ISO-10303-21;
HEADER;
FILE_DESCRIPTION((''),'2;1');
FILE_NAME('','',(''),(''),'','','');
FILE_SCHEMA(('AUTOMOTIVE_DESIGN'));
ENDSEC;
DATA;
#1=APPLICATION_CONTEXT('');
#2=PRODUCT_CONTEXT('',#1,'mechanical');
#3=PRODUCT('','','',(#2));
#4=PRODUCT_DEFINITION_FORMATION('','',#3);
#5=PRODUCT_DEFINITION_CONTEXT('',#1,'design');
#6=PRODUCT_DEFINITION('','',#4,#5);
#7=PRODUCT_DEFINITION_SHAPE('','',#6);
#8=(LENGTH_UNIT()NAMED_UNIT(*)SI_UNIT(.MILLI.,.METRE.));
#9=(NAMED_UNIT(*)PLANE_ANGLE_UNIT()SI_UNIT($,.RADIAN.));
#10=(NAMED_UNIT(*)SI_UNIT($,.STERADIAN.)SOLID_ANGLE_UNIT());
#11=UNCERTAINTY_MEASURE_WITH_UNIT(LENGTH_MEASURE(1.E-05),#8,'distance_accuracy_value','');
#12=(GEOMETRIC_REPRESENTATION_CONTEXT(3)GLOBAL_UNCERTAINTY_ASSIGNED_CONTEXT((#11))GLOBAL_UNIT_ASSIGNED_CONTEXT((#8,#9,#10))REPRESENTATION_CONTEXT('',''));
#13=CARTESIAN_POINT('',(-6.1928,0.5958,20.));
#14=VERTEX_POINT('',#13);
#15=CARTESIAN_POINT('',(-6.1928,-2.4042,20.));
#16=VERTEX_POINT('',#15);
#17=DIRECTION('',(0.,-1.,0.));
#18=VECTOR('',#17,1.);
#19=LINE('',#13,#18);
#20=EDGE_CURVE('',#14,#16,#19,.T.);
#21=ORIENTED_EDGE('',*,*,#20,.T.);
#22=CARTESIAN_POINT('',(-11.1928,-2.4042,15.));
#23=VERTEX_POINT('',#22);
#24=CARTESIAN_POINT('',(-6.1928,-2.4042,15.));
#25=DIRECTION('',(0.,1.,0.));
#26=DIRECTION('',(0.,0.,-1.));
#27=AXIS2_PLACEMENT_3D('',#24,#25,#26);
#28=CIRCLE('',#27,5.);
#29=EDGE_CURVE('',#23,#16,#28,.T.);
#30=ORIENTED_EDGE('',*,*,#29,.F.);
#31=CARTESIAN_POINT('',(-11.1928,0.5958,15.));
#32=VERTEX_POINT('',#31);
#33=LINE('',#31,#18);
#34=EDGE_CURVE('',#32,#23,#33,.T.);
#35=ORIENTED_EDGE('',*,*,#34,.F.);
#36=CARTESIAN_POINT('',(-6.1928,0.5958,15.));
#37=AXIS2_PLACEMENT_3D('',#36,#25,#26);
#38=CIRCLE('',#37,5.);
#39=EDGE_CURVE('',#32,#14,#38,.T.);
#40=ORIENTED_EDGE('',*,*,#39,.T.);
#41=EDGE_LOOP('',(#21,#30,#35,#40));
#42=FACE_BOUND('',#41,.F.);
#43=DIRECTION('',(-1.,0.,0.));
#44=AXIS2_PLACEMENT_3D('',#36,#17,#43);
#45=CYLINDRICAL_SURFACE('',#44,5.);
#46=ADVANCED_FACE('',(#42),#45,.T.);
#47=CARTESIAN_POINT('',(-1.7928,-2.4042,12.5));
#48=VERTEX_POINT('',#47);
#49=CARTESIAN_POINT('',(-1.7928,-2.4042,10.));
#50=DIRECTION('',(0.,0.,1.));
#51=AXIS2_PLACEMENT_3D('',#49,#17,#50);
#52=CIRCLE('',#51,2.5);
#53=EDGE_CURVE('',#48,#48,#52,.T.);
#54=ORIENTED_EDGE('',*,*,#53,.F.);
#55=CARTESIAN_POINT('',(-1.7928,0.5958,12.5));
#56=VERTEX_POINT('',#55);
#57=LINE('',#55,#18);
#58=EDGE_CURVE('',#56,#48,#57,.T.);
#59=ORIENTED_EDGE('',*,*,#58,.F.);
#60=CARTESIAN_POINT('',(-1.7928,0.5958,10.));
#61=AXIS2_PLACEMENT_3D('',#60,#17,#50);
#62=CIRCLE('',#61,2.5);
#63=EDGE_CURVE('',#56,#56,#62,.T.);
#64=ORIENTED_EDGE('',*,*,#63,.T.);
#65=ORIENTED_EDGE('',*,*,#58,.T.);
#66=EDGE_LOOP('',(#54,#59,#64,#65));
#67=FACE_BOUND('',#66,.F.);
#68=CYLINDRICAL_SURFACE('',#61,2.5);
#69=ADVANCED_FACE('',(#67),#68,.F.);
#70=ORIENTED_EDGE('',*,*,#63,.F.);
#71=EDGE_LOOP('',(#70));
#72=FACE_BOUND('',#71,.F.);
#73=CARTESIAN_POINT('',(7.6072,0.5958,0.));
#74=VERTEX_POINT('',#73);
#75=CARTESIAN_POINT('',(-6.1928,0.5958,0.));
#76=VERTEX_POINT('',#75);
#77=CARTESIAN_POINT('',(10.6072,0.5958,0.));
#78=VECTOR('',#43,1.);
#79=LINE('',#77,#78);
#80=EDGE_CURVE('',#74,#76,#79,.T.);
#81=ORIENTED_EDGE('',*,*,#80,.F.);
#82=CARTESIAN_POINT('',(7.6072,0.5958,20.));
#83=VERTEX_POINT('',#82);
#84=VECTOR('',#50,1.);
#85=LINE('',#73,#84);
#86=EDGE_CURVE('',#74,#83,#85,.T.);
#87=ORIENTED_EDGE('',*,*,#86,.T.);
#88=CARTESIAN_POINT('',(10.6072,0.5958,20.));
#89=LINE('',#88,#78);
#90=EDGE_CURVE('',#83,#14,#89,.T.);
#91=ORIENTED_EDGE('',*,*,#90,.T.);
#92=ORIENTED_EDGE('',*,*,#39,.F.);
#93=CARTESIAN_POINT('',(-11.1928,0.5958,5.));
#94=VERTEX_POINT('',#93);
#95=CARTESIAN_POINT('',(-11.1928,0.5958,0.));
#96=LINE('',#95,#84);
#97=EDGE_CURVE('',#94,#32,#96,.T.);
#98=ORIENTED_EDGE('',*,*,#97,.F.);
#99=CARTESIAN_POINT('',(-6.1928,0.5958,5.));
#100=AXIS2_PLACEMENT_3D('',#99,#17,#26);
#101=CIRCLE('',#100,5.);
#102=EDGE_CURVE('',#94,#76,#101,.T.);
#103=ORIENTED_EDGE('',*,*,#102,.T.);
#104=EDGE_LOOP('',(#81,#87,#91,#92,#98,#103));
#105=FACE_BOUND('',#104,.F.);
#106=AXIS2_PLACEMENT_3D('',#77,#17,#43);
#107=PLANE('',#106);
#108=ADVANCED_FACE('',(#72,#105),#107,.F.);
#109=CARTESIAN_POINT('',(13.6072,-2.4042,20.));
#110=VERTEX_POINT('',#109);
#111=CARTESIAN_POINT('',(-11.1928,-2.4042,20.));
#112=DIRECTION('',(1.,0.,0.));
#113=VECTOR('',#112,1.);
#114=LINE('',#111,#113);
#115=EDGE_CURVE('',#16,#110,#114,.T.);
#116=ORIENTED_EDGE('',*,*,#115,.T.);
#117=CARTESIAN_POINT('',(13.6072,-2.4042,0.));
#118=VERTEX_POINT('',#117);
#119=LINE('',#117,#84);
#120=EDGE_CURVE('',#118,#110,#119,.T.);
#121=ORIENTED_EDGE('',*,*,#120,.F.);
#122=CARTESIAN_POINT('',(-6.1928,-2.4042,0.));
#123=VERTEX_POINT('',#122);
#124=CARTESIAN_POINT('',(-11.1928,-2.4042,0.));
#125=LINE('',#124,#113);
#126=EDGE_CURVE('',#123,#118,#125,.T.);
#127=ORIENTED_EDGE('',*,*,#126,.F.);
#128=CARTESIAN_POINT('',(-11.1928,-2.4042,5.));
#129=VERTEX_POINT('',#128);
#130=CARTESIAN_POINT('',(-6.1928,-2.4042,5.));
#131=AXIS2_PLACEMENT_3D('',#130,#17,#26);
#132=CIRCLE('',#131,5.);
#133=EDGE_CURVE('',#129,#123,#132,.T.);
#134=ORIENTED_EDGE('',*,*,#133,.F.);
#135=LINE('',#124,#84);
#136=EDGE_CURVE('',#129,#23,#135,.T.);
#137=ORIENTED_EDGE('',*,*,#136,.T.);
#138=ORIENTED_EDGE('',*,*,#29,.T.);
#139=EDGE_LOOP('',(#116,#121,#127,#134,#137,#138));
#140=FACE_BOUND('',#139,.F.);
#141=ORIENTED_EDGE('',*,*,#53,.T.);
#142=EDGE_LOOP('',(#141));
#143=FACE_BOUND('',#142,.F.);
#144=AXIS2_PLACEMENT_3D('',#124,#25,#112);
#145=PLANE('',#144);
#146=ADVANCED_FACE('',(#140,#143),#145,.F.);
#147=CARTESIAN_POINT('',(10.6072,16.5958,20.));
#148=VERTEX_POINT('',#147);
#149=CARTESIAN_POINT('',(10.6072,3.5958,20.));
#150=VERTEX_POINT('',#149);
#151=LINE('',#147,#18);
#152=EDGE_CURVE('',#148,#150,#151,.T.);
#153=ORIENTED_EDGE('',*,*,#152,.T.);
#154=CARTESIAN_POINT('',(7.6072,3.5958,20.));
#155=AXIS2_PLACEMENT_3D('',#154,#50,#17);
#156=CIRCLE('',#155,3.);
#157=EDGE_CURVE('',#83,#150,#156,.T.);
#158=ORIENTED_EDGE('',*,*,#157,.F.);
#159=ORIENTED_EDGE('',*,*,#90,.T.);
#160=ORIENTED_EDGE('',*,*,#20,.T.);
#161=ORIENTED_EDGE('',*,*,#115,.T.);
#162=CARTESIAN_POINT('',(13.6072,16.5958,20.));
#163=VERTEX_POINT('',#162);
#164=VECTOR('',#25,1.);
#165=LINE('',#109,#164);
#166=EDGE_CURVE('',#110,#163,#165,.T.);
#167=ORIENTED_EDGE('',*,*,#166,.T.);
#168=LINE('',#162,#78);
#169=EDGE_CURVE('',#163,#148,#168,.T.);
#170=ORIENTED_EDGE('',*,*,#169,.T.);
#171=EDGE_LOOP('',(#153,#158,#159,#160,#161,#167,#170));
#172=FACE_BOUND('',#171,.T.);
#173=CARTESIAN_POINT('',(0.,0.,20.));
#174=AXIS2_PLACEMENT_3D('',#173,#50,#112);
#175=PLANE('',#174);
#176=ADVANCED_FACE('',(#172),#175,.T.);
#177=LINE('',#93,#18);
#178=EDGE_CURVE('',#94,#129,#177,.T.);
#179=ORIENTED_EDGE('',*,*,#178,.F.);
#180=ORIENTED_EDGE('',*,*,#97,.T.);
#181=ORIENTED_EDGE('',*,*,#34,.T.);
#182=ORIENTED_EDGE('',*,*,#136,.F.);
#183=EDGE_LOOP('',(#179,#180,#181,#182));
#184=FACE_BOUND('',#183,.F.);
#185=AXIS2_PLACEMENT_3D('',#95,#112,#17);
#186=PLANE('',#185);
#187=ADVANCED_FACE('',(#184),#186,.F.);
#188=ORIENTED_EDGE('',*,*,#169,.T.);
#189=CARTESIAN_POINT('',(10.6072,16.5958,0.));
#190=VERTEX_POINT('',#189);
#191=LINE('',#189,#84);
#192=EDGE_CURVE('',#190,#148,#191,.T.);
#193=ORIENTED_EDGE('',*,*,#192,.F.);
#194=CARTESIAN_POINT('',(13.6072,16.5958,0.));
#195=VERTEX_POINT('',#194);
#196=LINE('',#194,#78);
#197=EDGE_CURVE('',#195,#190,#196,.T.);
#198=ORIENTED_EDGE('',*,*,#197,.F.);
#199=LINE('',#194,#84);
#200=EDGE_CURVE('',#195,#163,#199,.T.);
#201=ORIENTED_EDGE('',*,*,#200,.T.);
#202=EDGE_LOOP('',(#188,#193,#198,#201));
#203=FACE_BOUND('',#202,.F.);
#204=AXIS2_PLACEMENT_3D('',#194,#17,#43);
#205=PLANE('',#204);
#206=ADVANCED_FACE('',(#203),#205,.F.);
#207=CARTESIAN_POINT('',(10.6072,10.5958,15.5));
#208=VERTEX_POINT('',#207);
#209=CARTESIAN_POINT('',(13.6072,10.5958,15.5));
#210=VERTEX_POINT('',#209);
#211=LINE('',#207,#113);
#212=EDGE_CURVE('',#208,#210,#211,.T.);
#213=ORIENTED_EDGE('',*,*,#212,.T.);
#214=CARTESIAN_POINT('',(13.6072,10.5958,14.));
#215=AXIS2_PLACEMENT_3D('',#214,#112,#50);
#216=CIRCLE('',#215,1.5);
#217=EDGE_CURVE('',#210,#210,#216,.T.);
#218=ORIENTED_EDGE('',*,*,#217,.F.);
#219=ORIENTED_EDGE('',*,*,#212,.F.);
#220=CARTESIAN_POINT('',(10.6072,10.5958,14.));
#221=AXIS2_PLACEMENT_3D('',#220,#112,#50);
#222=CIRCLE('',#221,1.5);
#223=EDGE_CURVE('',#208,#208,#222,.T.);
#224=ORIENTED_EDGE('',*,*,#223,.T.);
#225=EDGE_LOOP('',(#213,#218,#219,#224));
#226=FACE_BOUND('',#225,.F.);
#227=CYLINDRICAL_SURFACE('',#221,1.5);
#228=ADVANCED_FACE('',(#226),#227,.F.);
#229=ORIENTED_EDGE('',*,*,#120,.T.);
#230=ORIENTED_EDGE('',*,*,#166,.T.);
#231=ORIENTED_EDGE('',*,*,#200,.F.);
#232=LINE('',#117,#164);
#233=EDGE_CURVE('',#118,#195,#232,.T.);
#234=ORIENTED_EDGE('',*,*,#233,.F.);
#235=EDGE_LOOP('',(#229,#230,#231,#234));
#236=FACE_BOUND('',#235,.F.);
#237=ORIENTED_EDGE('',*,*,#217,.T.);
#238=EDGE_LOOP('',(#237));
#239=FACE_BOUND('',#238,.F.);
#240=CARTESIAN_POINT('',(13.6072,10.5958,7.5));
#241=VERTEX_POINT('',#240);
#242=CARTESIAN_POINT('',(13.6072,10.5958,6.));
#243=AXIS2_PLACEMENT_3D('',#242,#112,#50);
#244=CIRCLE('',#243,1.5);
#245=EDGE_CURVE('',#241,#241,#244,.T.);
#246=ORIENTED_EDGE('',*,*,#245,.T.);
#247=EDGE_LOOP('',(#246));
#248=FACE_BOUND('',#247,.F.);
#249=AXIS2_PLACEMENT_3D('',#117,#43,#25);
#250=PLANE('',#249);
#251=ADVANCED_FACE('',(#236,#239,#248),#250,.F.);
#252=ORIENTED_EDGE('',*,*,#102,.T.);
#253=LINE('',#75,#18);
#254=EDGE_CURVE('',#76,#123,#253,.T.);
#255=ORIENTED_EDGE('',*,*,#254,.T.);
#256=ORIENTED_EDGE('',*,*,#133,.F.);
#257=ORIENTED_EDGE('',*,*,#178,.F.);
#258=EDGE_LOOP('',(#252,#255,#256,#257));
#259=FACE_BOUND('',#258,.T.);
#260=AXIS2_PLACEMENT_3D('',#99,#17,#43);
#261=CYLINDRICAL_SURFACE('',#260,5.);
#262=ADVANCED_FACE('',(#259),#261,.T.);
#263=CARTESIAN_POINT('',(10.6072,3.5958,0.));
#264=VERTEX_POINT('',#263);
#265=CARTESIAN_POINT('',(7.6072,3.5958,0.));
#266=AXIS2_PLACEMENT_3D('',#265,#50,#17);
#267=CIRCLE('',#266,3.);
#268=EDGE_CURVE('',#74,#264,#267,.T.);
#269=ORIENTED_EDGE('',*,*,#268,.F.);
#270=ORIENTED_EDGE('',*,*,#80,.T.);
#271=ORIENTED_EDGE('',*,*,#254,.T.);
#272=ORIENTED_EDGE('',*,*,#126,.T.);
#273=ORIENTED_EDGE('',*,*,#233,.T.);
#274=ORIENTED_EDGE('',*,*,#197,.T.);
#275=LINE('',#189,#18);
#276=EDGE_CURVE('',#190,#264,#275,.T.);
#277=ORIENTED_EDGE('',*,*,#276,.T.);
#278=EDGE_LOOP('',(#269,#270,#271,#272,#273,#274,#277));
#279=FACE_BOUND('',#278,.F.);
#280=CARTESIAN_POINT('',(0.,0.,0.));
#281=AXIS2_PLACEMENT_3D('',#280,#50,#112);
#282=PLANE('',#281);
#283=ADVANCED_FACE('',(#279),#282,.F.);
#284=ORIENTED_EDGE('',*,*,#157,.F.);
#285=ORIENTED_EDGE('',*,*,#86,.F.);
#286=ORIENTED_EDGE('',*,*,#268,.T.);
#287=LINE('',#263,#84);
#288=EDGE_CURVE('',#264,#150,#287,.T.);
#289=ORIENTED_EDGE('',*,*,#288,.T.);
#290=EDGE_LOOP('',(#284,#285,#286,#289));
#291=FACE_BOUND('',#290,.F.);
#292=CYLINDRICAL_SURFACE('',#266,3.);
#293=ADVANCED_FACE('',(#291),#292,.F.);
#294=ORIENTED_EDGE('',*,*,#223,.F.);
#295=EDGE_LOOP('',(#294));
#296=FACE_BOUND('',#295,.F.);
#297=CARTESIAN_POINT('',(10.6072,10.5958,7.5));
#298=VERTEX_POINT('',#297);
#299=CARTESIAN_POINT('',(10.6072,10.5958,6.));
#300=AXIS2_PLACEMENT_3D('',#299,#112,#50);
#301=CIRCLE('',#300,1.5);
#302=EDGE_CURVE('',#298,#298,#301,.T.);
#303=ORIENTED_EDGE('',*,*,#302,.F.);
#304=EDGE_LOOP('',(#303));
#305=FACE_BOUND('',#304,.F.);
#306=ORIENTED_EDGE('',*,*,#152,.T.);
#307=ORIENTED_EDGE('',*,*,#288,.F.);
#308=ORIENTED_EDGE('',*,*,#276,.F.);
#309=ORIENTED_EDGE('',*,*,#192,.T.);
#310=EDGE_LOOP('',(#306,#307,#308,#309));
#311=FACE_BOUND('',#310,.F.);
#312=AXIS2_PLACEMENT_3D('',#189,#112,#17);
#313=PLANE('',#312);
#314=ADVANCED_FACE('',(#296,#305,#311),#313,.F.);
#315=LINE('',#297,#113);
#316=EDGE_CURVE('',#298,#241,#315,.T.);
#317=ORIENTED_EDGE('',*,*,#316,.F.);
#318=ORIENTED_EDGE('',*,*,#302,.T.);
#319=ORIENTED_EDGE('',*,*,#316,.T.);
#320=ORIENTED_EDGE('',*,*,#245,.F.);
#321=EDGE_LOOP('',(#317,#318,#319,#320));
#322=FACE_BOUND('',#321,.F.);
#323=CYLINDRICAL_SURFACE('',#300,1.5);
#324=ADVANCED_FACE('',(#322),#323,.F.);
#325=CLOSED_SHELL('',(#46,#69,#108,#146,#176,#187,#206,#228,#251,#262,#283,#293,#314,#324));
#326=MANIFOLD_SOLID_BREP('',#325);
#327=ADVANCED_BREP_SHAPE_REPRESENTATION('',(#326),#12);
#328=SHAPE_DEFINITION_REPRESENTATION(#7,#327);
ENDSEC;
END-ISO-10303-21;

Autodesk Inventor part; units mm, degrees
ref_plane "YZ Plane" through (0, 0, 0) normal (1, 0, 0) x (0, 1, 0)
ref_plane "XZ Plane" through (0, 0, 0) normal (0, 1, 0) x (-1, 0, 0)
ref_plane "XY Plane" through (0, 0, 0) normal (0, 0, 1) x (1, 0, 0)
sketch "Szkic1" plane through (0, 0, 0) normal (0, 0, 1) x (1, 0, 0)
  line L0 (-11.1928, -2.4042) -> (13.6072, -2.4042)
  line L1 (13.6072, -2.4042) -> (13.6072, 16.5958)
  line L2 (13.6072, 16.5958) -> (10.6072, 16.5958)
  line L3 (10.6072, 16.5958) -> (10.6072, 0.5958)
  line L4 (10.6072, 0.5958) -> (-11.1928, 0.5958)
  line L5 (-11.1928, 0.5958) -> (-11.1928, -2.4042)
  point P0 (0, 0)
  dimension "d0" = 24.8
  dimension "d1" = 19
  dimension "d2" = 3
  dimension "d3" = 16
extrude "Wyciągnięcie proste1" add sketch "Szkic1" along normal blind 20
fillet "Zaokrąglenie1" radius 5 2 edges at (-11.1928, -0.9042, 20) (-11.1928, -0.9042, 0)
fillet "Zaokrąglenie2" radius 3 1 edges at (10.6072, 0.5958, 10)
sketch "Szkic2" plane through (-11.1928, 0.5958, 15) normal (0, 1, 0) x (1, 0, 0)
  line L0 (18.8, 15) -> (18.8, -5) projected
  line L1 (18.8, 15) -> (5, 15) projected
  arc A0 (5, 15) -> (0, 10) centre (5, 10) ccw projected
  line L2 (0, 10) -> (0, 0) projected
  arc A1 (0, 0) -> (5, -5) centre (5, 0) ccw projected
  line L3 (18.8, -5) -> (5, -5) projected
  point P0 (11.1928, 15)
  point P1 (9.4, 5)
  dimension "d8" = 10
  dimension "d9" = 18.8
  dimension "d10" = 9.4
hole "Otwór1" at (-1.7928, 0.5958, 10) direction (0, -1, 0) diameter 5 depth 8 tip angle 118
sketch "Szkic3" plane through (10.6072, 16.5958, 0) normal (-1, 0, 0) x (0, 0, 1)
  line L0 (20, -13) -> (0, -13) projected
  line L1 (20, 0) -> (20, -13) projected
  line L2 (0, 0) -> (20, 0) projected
  line L3 (0, 0) -> (0, -13) projected
  point P0 (0, -16.5958)
  point P1 (6, -6)
  point P2 (14, -6)
  dimension "d18" = 6
  dimension "d19" = 6
  dimension "d20" = 6
  dimension "d21" = 6
hole "Otwór2" at (10.6072, 10.5958, 6) at (10.6072, 10.5958, 14) direction (1, 0, 0) diameter 3 depth 8 tip angle 118
equation "\"d10\" = 0.5 * d9"
properties part number "CNCM_ALU_3mm_Y_Axis_Idler_Stiffener_Side"
